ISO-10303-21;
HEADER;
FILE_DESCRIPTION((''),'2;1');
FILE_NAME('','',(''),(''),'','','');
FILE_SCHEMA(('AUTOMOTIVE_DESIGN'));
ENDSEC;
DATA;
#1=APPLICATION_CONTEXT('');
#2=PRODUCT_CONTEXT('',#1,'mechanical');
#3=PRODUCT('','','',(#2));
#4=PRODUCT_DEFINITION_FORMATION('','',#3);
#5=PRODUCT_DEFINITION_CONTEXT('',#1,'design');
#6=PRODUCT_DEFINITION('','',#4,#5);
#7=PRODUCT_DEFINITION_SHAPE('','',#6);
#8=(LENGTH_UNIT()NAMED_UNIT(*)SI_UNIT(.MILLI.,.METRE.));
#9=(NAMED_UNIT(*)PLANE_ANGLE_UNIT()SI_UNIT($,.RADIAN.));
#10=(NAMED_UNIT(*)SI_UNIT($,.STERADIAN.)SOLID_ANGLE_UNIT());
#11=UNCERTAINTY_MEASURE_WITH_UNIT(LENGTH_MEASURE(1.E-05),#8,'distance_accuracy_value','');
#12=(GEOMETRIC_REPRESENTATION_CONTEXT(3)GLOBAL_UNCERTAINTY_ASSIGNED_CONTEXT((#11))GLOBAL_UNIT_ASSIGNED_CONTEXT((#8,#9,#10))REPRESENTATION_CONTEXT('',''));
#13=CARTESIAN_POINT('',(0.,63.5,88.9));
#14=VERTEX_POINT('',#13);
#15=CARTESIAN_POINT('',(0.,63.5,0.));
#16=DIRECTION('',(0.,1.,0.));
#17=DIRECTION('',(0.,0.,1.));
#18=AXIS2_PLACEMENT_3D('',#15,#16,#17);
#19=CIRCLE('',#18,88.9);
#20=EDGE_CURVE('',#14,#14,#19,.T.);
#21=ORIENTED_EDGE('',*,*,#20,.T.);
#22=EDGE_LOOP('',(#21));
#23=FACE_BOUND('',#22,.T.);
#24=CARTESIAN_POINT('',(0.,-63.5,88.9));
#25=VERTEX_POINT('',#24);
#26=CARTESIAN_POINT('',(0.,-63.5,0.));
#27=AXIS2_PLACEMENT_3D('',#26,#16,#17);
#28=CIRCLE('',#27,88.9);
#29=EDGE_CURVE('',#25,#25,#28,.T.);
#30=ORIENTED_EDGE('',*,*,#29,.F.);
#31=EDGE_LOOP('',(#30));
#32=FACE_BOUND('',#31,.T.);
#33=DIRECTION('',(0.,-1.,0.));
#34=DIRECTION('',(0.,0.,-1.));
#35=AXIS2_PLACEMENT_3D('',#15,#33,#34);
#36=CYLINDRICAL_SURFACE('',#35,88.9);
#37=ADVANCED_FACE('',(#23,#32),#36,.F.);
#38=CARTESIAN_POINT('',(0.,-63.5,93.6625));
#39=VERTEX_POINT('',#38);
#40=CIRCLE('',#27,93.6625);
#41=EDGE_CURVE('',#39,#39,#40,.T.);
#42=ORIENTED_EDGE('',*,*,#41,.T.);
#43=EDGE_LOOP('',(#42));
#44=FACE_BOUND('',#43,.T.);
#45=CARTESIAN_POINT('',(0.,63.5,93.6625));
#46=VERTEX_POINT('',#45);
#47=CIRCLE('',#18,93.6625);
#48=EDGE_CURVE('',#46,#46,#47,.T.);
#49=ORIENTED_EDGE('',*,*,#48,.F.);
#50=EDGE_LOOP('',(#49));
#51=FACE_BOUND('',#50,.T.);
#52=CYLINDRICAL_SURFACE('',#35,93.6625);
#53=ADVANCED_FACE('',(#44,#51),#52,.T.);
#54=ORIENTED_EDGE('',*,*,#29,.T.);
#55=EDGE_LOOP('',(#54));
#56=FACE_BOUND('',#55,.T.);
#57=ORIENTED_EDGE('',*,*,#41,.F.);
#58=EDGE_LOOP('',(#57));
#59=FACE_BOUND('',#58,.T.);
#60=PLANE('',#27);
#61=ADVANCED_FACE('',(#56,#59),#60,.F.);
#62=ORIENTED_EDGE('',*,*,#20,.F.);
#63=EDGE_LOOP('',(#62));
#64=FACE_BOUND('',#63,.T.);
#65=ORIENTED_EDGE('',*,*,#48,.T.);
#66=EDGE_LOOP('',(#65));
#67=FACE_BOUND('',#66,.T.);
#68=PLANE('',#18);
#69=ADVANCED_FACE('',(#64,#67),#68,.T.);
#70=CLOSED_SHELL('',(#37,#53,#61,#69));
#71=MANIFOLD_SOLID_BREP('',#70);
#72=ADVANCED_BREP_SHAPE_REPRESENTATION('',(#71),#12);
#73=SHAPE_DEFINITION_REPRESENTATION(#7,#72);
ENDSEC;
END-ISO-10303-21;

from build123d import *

# Parameters (mm, degrees)
SKETCH1_R           = 93.6625
SKETCH1_R_2         = 88.9
BOSS_EXTRUDE1_DEPTH = 63.5


with BuildPart() as part:
    # Sketch1 → Boss-Extrude1 (new body, symmetric)
    with BuildSketch(Plane(origin=(0, 0, 0), x_dir=(1, 0, 0), z_dir=(0, 1, 0))):
        Circle(SKETCH1_R)
        Circle(SKETCH1_R_2, mode=Mode.SUBTRACT)
    extrude(amount=BOSS_EXTRUDE1_DEPTH, both=True)


solid = part.part
